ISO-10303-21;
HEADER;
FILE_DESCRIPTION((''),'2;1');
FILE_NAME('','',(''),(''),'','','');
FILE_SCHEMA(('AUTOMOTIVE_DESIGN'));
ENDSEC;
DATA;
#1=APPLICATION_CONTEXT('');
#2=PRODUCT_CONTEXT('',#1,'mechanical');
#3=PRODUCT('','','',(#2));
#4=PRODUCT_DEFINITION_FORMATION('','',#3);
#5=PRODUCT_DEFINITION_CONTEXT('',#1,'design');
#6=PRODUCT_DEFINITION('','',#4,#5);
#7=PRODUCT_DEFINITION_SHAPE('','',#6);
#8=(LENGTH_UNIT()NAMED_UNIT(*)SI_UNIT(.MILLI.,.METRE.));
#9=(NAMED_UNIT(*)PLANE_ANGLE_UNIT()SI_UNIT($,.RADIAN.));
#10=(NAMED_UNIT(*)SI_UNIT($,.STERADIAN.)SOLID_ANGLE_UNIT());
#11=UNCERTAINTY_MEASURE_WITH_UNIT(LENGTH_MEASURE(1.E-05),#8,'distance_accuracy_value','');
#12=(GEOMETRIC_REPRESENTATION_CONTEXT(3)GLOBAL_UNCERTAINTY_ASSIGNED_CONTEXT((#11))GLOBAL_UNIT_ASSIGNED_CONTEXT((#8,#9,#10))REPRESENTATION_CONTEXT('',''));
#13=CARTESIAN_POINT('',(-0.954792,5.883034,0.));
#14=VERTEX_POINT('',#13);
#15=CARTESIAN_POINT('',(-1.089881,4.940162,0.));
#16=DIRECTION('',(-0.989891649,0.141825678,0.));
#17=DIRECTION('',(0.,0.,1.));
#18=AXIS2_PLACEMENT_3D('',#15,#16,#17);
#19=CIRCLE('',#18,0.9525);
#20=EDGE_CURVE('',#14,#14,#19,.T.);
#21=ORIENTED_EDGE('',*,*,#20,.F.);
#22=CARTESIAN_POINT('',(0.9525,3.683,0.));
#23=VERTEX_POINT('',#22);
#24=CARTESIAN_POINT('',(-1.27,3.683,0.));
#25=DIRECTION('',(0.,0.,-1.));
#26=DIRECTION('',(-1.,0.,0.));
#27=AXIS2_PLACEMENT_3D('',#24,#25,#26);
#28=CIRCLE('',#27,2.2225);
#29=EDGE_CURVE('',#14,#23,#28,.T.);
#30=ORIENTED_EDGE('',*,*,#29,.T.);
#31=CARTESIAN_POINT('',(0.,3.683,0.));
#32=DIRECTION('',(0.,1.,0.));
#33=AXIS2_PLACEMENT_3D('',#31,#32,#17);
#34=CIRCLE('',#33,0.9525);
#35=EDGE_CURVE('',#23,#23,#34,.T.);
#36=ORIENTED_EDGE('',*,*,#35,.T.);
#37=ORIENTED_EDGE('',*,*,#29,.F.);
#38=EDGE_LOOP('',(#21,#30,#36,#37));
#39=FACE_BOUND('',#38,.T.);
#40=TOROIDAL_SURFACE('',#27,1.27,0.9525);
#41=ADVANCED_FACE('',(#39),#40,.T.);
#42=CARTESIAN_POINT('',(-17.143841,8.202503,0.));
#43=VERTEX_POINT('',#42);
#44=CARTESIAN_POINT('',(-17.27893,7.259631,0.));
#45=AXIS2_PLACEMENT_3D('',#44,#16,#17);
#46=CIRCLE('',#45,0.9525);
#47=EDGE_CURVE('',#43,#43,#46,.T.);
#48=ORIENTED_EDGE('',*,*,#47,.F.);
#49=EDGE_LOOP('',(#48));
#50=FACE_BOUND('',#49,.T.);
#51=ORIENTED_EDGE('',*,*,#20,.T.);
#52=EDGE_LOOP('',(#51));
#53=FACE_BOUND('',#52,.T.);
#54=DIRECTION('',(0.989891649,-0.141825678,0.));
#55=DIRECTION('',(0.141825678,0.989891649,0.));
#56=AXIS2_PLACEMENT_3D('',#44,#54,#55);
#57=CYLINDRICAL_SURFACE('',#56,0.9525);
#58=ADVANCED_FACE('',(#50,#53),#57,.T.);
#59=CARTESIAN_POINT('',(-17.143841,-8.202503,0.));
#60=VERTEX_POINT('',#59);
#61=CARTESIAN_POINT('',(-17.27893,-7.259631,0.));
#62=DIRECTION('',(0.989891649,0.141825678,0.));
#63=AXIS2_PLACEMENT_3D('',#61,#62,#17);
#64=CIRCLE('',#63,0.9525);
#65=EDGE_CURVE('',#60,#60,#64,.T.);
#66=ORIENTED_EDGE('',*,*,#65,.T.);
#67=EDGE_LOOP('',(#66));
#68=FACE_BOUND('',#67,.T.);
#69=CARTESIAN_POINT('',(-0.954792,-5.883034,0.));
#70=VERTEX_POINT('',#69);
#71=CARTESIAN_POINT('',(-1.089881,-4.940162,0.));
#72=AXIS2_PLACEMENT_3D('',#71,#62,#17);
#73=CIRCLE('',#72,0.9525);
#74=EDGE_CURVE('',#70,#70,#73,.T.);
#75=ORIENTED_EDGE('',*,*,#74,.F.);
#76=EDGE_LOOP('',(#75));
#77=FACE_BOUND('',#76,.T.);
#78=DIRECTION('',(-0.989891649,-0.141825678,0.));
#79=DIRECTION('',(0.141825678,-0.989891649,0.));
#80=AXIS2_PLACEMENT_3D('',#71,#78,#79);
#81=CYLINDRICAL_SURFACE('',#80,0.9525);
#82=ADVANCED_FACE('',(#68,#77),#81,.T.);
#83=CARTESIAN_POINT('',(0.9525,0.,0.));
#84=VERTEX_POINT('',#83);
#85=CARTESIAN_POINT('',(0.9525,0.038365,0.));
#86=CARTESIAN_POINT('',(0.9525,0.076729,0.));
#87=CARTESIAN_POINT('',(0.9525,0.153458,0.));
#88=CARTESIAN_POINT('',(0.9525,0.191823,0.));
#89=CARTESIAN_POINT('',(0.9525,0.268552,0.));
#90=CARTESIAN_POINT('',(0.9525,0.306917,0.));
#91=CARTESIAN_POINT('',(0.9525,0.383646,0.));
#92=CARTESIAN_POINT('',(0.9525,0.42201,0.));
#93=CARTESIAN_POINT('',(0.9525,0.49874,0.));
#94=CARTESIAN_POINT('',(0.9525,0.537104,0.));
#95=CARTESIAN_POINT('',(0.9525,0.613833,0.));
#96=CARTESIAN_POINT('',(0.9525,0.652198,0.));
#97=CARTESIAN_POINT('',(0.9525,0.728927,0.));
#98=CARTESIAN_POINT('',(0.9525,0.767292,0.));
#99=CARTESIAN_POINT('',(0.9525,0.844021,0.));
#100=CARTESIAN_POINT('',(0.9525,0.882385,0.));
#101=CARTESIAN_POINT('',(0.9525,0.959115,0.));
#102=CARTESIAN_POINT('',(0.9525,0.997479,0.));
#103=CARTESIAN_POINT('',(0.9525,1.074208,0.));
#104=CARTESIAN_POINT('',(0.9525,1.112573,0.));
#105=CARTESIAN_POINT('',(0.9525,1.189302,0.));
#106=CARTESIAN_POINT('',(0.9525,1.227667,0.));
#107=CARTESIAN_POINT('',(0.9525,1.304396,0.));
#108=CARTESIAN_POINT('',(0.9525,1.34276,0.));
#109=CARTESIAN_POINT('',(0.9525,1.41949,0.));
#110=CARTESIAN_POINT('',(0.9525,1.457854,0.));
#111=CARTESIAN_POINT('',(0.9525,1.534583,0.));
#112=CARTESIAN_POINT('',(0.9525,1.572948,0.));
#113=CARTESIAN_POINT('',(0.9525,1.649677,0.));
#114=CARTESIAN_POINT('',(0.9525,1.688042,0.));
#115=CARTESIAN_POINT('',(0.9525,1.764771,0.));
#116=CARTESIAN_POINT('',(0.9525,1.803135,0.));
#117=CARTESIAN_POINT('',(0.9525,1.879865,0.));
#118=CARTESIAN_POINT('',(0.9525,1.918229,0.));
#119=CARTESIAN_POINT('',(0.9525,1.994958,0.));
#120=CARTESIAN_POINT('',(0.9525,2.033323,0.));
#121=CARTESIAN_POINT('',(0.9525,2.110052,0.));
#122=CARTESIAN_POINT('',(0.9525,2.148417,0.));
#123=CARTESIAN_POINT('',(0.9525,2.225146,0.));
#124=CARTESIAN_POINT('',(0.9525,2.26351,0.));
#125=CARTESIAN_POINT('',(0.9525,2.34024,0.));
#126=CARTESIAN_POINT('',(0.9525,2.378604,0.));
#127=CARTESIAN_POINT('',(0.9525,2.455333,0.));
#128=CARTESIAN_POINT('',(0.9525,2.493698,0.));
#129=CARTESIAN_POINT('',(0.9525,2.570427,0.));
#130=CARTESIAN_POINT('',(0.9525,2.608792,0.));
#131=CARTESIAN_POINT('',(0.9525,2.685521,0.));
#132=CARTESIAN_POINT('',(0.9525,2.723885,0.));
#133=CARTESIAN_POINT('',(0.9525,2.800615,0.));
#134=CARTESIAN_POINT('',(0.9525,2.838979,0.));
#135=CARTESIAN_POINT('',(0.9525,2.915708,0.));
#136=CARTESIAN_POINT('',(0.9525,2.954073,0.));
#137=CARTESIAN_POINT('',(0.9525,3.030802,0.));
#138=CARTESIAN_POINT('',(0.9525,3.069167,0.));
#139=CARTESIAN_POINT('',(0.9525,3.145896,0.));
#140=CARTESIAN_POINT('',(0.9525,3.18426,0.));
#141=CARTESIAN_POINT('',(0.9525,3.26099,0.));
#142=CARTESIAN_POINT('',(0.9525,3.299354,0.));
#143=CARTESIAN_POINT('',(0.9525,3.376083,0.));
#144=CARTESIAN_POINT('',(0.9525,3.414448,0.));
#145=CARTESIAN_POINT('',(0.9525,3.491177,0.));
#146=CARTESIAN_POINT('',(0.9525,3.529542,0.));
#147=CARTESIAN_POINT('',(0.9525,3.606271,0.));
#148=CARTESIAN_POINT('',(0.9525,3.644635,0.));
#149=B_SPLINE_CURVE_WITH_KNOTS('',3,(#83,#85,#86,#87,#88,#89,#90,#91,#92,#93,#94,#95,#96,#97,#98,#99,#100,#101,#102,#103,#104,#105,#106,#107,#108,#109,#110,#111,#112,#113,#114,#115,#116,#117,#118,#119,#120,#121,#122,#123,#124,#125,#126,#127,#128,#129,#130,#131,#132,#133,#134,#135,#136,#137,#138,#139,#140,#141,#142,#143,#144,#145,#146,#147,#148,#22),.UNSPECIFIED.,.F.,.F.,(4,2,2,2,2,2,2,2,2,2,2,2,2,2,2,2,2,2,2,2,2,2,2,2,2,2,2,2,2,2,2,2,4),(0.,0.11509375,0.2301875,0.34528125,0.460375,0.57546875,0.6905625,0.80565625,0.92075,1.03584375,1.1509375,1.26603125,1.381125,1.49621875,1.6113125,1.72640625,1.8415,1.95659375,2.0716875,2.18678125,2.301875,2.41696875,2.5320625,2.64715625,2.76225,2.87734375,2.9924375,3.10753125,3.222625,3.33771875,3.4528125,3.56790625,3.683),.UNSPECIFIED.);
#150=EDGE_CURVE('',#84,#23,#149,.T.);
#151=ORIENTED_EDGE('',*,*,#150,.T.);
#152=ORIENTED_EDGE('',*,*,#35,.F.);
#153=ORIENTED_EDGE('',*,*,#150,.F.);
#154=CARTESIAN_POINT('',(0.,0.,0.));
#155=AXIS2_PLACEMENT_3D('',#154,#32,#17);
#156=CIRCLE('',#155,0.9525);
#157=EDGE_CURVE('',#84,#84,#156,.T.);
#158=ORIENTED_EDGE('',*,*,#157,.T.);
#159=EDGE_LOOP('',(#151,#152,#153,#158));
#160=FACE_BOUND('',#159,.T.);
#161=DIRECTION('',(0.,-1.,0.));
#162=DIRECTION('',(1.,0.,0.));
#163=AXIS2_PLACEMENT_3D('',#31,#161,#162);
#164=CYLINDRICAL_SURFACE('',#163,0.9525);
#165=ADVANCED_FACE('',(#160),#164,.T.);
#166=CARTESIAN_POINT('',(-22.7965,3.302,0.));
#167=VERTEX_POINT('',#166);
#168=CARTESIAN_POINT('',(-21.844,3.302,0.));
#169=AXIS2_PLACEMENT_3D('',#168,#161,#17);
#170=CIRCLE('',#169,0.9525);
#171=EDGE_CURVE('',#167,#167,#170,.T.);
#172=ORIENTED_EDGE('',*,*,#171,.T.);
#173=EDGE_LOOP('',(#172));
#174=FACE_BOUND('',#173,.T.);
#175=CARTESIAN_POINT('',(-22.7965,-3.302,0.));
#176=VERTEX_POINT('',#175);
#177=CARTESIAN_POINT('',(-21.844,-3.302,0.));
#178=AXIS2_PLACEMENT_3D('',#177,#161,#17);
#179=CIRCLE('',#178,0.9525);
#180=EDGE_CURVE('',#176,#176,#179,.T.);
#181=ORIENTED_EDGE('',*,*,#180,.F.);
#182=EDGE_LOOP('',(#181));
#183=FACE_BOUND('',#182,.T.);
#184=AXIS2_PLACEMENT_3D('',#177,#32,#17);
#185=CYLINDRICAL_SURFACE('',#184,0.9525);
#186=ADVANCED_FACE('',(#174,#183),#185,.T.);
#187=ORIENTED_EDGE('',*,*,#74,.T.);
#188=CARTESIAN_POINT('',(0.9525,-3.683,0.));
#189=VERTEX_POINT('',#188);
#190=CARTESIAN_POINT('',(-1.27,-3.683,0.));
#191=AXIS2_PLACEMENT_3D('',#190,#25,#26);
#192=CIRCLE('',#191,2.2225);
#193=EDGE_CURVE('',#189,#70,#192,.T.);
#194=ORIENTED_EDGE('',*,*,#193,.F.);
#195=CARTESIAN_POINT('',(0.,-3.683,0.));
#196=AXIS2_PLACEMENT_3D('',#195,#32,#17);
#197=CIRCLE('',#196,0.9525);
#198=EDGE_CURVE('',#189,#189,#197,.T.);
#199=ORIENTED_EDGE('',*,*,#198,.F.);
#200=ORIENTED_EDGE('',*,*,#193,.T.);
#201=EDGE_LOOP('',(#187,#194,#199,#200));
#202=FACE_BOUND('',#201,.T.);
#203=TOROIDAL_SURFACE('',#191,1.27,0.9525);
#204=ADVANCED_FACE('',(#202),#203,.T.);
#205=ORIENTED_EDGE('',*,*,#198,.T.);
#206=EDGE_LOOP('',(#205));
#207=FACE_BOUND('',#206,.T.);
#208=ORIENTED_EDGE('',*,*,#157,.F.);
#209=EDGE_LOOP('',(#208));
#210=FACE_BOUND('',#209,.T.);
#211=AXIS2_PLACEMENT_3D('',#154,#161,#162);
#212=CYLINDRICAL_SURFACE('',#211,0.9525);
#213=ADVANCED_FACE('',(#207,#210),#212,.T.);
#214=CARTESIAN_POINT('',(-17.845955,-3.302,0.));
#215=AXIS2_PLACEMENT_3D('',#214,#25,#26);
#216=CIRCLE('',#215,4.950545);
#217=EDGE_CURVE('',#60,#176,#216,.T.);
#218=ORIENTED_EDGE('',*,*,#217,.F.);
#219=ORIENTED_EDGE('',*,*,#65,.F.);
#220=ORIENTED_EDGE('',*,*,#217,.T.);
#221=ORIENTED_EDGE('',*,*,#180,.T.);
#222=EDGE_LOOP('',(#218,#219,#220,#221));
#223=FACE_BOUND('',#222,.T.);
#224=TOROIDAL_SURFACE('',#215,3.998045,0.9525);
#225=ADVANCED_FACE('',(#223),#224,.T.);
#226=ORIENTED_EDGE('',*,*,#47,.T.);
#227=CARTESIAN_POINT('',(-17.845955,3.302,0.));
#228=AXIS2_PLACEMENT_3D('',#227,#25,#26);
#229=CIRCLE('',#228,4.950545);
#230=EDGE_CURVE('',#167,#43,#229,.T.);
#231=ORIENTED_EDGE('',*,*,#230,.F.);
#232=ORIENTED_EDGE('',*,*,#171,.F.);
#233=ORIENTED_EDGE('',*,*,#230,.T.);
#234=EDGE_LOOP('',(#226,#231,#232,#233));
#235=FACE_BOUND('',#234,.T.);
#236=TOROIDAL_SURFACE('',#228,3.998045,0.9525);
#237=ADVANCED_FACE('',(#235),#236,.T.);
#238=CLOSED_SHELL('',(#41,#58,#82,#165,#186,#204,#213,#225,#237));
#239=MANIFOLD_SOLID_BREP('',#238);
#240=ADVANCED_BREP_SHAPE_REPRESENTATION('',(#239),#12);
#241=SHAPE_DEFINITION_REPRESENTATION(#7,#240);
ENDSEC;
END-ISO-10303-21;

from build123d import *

# Parameters (mm, degrees)
SKETCH1_R = 0.9525


with BuildPart() as part:
    # Sweep1: sweep along a path in Sketch2
    with BuildLine(Plane.XY) as sweep1_path:
        Line((0, 3.683), (0, -3.683))
        ThreePointArc((0, -3.683), (-0.310403565, -4.514910261), (-1.089881388, -4.940162394))
        Line((-1.089881388, -4.940162394), (-17.278929773, -7.25963117))
        ThreePointArc((-17.278929773, -7.25963117), (-20.464864245, -6.322873659), (-21.844, -3.302))
        Line((-21.844, -3.302), (-21.844, 3.302))
        ThreePointArc((-21.844, 3.302), (-20.464864245, 6.322873659), (-17.278929773, 7.25963117))
        Line((-17.278929773, 7.25963117), (-1.089881388, 4.940162394))
        ThreePointArc((-1.089881388, 4.940162394), (-0.310403565, 4.514910261), (0, 3.683))
    # Sketch1 → Sweep1 (sweep)
    with BuildSketch(Plane(origin=(0, 0, 0), x_dir=(0, 0, -1), z_dir=(0, 1, 0))):
        Circle(SKETCH1_R)
    sweep(path=sweep1_path.line)


solid = part.part
